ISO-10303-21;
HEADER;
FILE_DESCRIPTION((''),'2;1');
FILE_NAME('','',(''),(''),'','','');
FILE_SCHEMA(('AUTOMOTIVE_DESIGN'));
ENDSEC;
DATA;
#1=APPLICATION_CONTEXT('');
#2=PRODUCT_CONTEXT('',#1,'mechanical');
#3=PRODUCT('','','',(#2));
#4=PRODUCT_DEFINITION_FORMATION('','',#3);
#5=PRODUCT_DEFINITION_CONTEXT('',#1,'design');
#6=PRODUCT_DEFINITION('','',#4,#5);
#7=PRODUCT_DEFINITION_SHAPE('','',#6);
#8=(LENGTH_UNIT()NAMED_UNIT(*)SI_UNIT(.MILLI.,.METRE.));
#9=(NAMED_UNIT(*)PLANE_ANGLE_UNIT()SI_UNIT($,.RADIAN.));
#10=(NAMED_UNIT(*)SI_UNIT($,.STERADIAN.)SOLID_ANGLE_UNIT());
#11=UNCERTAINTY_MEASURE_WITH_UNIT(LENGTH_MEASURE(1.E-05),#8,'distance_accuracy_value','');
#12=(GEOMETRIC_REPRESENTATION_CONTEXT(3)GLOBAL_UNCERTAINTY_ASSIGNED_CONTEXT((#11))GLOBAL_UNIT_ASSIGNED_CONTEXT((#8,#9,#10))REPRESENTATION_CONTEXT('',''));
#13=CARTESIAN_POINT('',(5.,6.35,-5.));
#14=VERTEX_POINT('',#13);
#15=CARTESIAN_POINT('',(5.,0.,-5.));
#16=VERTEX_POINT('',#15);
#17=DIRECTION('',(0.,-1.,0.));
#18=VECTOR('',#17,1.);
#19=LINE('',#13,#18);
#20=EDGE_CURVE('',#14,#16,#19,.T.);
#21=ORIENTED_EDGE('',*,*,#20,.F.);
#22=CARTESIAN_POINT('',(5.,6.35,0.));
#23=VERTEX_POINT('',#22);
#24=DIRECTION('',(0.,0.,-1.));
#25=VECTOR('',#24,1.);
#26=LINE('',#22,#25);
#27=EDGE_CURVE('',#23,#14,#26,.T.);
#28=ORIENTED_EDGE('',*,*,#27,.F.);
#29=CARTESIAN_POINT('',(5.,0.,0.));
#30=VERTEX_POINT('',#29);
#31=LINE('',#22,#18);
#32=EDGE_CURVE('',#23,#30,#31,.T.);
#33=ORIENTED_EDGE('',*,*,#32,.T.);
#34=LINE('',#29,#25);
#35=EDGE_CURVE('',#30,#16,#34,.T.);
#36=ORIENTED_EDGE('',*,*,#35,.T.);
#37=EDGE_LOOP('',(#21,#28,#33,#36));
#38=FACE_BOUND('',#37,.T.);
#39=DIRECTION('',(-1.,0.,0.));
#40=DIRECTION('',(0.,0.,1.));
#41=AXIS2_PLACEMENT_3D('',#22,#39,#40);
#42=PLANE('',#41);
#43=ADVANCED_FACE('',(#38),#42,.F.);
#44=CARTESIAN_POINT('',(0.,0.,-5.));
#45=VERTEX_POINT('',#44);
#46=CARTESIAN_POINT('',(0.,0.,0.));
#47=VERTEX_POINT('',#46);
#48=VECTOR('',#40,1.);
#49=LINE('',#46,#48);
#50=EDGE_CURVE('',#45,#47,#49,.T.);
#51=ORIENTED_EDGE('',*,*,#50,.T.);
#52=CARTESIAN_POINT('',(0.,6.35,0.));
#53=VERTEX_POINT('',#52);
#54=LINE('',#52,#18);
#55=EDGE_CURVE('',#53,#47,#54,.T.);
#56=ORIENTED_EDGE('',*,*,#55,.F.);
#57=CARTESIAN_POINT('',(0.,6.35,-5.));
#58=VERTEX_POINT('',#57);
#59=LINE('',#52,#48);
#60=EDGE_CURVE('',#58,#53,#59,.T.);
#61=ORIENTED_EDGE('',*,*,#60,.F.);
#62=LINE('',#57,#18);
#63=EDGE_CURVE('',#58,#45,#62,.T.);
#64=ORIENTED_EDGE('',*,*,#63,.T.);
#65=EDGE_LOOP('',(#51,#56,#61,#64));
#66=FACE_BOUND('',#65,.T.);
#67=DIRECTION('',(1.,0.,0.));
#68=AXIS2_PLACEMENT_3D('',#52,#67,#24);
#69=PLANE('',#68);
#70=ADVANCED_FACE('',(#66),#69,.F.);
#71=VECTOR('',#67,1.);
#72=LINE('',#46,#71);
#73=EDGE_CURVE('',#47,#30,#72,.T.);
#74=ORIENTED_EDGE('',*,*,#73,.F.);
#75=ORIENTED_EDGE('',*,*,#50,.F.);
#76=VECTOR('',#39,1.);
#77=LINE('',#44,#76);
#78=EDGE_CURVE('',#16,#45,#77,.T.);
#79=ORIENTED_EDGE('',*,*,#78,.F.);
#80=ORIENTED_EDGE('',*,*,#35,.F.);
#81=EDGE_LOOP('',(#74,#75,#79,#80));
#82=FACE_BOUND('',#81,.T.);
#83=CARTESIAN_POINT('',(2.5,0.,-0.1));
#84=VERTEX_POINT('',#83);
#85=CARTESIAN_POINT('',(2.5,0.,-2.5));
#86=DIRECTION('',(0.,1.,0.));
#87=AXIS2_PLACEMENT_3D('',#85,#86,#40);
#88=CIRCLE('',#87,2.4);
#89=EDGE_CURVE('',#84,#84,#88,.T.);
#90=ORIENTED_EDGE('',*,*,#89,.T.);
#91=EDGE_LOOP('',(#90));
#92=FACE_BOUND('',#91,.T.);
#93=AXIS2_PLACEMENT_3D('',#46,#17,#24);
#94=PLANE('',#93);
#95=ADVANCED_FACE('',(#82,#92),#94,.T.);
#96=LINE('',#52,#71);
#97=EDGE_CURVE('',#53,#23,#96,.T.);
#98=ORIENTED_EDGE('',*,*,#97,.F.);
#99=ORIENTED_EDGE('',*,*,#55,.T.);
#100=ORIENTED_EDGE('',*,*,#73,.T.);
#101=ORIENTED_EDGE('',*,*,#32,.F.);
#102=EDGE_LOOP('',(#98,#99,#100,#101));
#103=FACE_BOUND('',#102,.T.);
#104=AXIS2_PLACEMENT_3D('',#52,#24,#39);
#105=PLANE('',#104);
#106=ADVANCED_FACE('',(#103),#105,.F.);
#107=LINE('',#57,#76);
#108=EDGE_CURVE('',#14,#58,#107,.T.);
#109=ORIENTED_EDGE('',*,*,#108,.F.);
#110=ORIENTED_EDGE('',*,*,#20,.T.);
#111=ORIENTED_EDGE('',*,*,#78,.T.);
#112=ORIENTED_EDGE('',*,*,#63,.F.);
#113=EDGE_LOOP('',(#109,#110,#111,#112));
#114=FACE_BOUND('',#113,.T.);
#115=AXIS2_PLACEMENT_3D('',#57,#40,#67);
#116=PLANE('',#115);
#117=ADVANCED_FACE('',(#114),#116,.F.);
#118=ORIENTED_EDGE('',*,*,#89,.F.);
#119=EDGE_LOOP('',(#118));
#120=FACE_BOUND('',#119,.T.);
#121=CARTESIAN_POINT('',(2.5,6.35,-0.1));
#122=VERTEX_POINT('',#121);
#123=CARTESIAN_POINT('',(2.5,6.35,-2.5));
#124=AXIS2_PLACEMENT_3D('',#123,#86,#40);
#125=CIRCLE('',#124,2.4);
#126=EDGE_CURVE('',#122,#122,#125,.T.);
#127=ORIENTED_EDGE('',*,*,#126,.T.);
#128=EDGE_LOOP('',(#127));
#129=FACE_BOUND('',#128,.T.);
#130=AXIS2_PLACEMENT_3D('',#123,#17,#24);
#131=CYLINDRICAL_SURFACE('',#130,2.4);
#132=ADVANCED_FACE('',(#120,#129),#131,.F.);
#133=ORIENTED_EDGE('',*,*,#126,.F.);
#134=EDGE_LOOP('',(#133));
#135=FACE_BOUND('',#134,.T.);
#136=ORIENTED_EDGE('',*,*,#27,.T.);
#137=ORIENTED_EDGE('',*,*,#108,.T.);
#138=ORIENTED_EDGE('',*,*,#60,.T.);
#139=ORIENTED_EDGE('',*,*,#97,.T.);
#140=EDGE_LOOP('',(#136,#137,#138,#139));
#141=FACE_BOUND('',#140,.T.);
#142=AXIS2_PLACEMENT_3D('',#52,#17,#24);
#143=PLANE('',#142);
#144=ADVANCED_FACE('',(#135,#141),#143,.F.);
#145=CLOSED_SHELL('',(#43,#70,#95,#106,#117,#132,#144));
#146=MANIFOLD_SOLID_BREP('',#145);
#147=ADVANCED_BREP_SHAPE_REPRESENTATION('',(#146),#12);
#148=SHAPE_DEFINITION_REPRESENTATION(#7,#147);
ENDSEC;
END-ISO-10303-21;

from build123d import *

# Parameters (mm, degrees)
SKETCH1_W           = 5
SKETCH1_H           = 5
SKETCH1_R           = 2.4
BOSS_EXTRUDE1_DEPTH = 6.35


with BuildPart() as part:
    # Sketch1 → Boss-Extrude1 (new body)
    with BuildSketch(Plane(origin=(0, 0, 0), x_dir=(1, 0, 0), z_dir=(0, 1, 0))):
        with Locations((2.5, 2.5)):
            Rectangle(SKETCH1_W, SKETCH1_H)
        with Locations((2.5, 2.5)):
            Circle(SKETCH1_R, mode=Mode.SUBTRACT)
    extrude(amount=BOSS_EXTRUDE1_DEPTH)


solid = part.part
